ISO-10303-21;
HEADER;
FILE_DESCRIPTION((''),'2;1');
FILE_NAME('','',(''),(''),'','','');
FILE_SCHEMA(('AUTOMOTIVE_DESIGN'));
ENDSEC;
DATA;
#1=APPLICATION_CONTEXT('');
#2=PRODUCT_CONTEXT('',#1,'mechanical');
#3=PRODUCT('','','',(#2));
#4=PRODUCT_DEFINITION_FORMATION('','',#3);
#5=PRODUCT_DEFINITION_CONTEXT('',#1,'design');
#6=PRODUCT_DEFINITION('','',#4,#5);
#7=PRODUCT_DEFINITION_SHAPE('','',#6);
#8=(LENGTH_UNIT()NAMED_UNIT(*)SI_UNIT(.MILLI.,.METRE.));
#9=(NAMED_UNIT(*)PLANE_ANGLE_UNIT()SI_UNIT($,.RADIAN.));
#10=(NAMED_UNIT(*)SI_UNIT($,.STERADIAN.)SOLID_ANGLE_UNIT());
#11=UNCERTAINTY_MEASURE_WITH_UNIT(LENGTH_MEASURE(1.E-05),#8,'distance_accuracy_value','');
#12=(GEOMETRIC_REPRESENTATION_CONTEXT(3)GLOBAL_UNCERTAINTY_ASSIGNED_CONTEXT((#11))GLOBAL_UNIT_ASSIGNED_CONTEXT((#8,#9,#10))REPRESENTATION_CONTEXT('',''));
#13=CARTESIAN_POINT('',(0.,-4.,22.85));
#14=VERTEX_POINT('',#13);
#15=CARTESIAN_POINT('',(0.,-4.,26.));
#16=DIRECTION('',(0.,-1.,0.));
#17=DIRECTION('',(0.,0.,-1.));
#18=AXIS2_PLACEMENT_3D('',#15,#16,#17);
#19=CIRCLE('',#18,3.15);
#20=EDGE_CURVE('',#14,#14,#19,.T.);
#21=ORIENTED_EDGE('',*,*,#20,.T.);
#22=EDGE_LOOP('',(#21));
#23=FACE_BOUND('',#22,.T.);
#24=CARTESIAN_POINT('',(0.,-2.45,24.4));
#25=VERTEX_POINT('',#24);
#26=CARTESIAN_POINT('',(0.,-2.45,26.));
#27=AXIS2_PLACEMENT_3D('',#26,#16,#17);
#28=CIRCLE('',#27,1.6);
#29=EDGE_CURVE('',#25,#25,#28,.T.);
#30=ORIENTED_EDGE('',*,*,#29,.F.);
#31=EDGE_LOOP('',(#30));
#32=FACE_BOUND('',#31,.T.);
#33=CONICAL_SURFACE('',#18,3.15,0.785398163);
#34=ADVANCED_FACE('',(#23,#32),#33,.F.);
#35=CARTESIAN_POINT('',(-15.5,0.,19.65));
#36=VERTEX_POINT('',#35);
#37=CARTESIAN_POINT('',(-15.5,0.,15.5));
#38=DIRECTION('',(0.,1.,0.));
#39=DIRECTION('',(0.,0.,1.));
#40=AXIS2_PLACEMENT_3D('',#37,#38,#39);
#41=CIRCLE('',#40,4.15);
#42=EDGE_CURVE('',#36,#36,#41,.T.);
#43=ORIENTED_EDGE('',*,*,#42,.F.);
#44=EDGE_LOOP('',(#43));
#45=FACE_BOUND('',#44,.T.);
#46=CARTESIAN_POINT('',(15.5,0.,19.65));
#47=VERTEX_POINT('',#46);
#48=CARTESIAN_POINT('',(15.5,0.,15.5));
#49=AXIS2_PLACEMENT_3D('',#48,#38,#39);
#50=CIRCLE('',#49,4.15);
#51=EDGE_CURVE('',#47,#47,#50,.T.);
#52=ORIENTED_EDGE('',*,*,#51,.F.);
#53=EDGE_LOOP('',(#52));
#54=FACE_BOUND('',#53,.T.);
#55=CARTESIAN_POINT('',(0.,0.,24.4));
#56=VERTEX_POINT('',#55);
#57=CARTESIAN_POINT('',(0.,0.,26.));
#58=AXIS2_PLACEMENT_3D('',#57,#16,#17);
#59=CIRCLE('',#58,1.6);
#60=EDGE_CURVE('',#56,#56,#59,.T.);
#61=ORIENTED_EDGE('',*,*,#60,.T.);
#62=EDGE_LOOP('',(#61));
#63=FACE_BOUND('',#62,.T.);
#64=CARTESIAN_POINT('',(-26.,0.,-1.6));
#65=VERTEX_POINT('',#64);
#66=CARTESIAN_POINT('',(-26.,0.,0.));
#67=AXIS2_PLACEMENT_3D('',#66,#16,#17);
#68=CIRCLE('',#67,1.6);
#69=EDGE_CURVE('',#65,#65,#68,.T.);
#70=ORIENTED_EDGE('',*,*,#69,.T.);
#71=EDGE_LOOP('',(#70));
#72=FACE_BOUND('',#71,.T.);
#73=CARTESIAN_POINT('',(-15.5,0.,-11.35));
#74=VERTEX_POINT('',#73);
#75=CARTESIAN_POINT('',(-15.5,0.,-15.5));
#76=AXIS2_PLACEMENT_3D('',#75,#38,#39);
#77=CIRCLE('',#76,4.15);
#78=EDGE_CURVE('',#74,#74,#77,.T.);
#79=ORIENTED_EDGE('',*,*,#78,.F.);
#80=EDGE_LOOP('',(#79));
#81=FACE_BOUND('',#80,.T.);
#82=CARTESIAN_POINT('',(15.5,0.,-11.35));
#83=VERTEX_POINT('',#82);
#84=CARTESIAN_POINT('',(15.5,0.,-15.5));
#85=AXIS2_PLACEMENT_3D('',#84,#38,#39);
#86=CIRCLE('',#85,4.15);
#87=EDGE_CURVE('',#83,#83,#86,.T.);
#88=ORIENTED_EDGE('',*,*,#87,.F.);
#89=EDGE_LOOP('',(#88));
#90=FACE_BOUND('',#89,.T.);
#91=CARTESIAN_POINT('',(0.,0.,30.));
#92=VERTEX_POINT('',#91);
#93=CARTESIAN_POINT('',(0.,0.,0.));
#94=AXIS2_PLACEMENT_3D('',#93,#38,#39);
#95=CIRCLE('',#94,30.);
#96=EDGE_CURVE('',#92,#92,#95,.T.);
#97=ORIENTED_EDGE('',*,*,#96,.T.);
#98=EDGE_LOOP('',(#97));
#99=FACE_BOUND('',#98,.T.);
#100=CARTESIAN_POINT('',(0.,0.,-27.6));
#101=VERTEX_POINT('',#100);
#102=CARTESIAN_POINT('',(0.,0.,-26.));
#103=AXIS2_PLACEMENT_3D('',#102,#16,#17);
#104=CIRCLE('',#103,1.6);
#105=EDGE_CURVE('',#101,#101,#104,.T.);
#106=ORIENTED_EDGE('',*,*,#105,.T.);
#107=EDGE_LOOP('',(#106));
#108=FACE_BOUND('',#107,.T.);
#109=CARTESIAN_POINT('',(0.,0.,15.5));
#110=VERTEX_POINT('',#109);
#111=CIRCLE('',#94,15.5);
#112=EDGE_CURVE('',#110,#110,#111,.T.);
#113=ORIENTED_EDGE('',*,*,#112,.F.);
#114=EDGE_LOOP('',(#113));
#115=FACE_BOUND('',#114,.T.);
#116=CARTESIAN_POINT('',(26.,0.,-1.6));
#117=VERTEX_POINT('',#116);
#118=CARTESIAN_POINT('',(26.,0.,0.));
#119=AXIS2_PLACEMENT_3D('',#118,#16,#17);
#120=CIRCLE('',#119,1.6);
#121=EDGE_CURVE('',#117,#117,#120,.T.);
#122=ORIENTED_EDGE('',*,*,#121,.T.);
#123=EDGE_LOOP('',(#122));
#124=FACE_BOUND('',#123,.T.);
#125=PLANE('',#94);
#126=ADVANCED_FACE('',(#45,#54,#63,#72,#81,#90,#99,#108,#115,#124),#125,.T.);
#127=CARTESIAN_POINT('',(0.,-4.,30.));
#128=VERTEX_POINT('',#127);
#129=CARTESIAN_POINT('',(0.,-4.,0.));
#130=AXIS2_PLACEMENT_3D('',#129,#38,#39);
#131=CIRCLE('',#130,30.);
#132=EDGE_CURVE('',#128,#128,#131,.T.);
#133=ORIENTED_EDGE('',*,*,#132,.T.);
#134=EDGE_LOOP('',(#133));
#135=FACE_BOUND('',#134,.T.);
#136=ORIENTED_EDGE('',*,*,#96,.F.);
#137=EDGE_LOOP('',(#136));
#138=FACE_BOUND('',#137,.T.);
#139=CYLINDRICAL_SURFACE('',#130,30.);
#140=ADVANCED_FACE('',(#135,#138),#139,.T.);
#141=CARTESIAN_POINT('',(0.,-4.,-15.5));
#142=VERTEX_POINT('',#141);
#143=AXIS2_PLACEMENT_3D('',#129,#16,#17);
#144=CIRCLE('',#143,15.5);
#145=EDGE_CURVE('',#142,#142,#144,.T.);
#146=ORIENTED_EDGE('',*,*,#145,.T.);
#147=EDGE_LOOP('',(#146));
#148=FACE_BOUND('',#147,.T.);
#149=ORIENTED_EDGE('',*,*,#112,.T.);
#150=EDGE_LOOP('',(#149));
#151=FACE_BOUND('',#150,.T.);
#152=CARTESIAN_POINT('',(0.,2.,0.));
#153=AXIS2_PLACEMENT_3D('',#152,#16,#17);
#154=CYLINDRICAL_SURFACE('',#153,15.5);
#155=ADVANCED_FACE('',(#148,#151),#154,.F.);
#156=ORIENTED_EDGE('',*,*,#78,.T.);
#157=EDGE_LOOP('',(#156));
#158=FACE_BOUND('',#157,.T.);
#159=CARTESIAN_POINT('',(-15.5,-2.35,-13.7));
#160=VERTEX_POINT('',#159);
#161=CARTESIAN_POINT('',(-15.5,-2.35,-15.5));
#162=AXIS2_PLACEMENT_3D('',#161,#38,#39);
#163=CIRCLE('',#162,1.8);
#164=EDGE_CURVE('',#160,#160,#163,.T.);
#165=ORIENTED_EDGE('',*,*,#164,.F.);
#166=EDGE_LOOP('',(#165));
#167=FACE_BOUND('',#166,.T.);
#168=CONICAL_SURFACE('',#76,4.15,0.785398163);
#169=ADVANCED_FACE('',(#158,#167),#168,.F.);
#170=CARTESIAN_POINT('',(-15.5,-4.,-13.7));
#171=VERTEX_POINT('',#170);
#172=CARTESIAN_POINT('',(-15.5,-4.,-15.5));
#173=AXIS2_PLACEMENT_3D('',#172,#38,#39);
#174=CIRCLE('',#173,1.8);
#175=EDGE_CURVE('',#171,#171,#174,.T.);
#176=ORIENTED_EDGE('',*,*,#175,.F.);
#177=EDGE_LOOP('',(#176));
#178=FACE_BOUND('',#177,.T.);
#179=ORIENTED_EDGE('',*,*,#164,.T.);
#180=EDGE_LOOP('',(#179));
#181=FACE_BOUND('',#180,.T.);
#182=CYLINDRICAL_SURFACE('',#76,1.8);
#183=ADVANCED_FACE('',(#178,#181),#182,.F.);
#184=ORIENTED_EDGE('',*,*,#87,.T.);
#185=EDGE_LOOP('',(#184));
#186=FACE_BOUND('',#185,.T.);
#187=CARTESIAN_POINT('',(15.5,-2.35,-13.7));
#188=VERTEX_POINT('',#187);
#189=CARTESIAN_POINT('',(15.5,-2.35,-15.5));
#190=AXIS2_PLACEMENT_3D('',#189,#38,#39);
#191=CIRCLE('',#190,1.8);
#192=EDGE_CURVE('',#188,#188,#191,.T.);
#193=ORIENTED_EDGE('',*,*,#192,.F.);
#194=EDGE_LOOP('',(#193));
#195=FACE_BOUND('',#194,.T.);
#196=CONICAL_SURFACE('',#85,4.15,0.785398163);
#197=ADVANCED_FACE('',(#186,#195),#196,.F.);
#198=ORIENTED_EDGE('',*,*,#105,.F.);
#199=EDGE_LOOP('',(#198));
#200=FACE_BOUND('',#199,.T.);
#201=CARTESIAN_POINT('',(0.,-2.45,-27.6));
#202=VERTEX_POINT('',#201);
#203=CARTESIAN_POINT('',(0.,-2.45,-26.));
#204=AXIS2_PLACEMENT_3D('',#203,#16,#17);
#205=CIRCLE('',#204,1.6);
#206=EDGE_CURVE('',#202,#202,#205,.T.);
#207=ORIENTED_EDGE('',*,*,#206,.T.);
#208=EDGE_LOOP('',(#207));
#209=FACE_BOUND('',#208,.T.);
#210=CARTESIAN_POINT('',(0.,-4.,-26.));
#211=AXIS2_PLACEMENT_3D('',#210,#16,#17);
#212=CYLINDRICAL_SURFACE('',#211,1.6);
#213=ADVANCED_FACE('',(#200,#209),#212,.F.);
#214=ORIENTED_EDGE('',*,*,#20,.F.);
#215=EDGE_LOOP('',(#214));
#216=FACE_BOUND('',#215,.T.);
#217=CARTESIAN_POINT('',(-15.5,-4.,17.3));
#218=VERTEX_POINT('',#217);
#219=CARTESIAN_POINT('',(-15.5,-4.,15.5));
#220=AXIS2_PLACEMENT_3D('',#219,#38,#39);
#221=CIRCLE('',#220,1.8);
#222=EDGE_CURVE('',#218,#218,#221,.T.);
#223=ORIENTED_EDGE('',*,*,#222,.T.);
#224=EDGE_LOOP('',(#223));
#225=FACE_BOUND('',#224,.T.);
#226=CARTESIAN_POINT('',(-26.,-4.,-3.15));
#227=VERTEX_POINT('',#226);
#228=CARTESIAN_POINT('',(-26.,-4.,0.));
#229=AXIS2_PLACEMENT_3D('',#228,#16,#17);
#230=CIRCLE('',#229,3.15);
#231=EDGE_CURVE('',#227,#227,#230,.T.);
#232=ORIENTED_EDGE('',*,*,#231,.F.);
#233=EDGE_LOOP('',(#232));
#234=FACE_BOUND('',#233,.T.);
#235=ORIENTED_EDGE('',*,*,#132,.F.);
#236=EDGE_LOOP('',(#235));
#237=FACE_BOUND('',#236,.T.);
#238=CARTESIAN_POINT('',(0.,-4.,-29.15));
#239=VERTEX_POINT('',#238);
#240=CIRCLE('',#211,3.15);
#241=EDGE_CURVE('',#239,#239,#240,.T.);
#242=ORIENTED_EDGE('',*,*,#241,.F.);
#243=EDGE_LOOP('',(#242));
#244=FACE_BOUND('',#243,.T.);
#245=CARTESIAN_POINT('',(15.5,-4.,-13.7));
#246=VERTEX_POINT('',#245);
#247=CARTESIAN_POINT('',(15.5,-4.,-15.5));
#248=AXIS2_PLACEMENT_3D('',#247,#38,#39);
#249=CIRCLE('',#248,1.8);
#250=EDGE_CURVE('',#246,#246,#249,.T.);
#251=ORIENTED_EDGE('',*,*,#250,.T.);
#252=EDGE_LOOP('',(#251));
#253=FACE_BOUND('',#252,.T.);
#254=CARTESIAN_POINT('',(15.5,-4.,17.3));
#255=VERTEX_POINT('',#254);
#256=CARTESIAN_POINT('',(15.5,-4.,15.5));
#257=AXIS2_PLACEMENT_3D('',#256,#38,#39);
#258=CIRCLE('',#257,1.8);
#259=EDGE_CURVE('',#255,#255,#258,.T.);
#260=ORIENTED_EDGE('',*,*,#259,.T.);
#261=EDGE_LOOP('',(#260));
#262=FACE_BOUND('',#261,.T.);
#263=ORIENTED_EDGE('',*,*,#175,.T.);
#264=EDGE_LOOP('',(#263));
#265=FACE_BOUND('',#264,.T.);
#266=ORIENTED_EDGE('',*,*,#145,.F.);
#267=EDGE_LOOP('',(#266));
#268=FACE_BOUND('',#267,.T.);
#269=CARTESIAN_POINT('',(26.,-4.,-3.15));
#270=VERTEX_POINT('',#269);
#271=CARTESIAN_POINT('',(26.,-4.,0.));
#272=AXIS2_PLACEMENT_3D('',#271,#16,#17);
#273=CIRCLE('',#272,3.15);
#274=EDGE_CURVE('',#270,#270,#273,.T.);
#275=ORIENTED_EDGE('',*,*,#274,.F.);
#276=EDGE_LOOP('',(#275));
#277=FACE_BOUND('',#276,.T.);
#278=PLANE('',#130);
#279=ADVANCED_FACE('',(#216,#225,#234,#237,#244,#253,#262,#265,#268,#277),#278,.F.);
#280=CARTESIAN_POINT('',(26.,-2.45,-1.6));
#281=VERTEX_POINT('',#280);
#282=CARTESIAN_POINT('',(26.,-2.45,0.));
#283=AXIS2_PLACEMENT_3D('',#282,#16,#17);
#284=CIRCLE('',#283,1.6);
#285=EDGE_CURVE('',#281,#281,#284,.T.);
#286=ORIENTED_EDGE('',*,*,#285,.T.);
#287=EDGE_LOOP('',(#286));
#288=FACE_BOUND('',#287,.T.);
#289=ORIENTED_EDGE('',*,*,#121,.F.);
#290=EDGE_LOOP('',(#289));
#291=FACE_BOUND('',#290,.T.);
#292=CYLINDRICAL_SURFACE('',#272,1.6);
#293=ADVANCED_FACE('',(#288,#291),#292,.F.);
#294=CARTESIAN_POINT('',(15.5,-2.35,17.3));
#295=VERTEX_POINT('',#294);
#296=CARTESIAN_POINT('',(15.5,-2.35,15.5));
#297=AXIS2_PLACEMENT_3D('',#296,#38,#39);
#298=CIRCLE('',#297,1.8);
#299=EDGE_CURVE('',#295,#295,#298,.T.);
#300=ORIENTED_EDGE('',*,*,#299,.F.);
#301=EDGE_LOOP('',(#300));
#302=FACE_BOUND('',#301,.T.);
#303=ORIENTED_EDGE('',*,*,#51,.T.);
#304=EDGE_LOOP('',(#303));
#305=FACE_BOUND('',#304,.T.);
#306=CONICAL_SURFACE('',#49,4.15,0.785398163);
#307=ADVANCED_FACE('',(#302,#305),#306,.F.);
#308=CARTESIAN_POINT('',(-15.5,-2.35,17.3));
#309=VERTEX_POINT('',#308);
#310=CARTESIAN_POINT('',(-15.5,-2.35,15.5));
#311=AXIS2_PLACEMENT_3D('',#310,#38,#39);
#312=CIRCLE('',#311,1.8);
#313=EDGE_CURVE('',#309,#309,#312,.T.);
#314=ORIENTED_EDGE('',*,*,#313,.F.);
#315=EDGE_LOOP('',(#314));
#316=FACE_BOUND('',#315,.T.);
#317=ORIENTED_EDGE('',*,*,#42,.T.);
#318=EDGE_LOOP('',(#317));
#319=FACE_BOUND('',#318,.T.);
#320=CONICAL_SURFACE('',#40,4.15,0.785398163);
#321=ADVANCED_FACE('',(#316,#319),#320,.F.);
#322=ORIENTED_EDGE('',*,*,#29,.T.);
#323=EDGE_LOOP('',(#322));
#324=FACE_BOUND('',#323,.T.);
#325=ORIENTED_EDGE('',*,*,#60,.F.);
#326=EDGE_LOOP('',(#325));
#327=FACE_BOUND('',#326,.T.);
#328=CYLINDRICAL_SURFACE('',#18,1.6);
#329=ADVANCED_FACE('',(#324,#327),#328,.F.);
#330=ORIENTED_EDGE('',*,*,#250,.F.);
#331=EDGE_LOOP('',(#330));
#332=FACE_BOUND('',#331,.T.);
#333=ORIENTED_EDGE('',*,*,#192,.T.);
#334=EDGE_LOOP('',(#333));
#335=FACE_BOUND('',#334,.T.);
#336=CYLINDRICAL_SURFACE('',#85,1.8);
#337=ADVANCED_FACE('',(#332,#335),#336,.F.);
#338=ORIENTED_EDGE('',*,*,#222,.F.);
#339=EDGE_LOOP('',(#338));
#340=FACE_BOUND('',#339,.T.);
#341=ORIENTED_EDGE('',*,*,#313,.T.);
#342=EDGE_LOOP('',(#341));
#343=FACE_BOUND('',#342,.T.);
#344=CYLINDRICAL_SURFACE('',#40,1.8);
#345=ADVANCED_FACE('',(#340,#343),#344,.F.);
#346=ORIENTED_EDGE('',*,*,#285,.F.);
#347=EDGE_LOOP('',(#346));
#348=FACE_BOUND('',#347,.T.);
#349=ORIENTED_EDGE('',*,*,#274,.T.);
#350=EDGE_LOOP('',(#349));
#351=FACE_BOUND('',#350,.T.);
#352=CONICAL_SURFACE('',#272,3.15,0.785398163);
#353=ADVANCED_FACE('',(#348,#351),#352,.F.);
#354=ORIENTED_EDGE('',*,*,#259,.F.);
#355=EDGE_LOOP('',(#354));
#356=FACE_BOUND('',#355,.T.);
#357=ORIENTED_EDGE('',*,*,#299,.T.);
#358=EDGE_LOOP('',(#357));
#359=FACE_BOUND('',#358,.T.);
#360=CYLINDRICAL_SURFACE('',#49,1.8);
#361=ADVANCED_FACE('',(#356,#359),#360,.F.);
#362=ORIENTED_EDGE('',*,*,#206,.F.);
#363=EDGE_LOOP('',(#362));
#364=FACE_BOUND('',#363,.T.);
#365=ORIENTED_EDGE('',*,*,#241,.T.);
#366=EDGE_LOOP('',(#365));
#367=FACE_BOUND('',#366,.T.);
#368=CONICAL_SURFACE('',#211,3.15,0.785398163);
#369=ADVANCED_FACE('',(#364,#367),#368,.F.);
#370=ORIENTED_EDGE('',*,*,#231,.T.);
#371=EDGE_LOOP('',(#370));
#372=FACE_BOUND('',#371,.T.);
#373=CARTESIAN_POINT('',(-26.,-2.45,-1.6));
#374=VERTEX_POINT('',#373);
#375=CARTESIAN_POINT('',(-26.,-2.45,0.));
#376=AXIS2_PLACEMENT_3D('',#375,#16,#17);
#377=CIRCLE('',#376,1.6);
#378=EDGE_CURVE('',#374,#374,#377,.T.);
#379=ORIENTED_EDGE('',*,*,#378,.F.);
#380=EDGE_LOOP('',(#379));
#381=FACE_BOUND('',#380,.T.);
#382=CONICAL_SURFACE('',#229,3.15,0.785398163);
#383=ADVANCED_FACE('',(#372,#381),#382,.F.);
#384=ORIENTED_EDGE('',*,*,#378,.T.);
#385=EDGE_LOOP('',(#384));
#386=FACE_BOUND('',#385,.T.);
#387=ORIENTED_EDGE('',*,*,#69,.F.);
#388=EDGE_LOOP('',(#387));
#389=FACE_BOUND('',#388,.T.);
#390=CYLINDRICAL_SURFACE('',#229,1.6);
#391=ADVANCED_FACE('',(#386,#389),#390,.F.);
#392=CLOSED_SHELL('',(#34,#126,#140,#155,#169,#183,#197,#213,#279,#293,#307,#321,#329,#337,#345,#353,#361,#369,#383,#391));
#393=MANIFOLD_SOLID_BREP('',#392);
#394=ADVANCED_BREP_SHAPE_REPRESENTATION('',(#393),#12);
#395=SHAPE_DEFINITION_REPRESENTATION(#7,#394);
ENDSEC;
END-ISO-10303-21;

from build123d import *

# Parameters (mm, degrees)
SKETCH1_R                                           = 30
BOSS_EXTRUDE1_DEPTH                                 = 4
SKETCH8_R                                           = 15.5
CUT_EXTRUDE1_DEPTH                                  = 6
CSK_FOR_M3_COUNTERSUNK_FLAT_HEAD_SCR_2_COUNT        = 2
CSK_FOR_M3_COUNTERSUNK_FLAT_HEAD_SCR_2_PITCH        = 31
CSK_FOR_M3_COUNTERSUNK_FLAT_HEAD_SCR_3_COUNT        = 2
CSK_FOR_M3_COUNTERSUNK_FLAT_HEAD_SCR_3_PITCH        = 43.840620434
CSK_FOR_M3_COUNTERSUNK_FLAT_HEAD_SCR_4_COUNT        = 2
CSK_FOR_M3_COUNTERSUNK_FLAT_HEAD_SCR_4_PITCH        = 31
CSK_FOR_M3_COUNTERSUNK_FLAT_HEAD_SCREW3_D           = 3.2
CSK_FOR_M3_COUNTERSUNK_FLAT_HEAD_SCREW3_CSINK_D     = 6.3
CSK_FOR_M3_COUNTERSUNK_FLAT_HEAD_SCREW3_CSINK_ANGLE = 90


with BuildPart() as part:
    # Sketch1 → Boss-Extrude1 (new body)
    with BuildSketch(Plane(origin=(0, 0, 0), x_dir=(1, 0, 0), z_dir=(0, 1, 0))):
        Circle(SKETCH1_R)
    extrude(amount=-BOSS_EXTRUDE1_DEPTH)

    # Sketch8 → Cut-Extrude1 (cut)
    with BuildSketch(Plane.XZ.offset(4)):
        Circle(SKETCH8_R)
    extrude(amount=-CUT_EXTRUDE1_DEPTH, mode=Mode.SUBTRACT)

    # Sketch16 → CSK for M3 Countersunk Flat Head Screw2 (revolve, cut)
    with BuildSketch(Plane(origin=(15.5, 0, 15.5), x_dir=(0, 0, 1), z_dir=(1, 0, 0))):
        Polygon((0, 0), (0, 4), (1.8, 4), (1.8, 2.35), (4.15, 0), align=None)
    csk_for_m3_countersunk_flat_head_screw2 = revolve(axis=Axis((15.5, 6.35, 15.5), (0, -1, 0)), mode=Mode.SUBTRACT)

    # CSK for M3 Countersunk Flat Head Scr 2: CSK for M3 Countersunk Flat Head Screw2 ×2
    with Locations(*[(0, 0, -i * CSK_FOR_M3_COUNTERSUNK_FLAT_HEAD_SCR_2_PITCH) for i in range(1, CSK_FOR_M3_COUNTERSUNK_FLAT_HEAD_SCR_2_COUNT)]):
        add(csk_for_m3_countersunk_flat_head_screw2, mode=Mode.SUBTRACT)

    # CSK for M3 Countersunk Flat Head Scr 3: CSK for M3 Countersunk Flat Head Screw2 ×2
    with Locations(*[Vector(-0.707106781, 0, -0.707106781) * (i * CSK_FOR_M3_COUNTERSUNK_FLAT_HEAD_SCR_3_PITCH) for i in range(1, CSK_FOR_M3_COUNTERSUNK_FLAT_HEAD_SCR_3_COUNT)]):
        add(csk_for_m3_countersunk_flat_head_screw2, mode=Mode.SUBTRACT)

    # CSK for M3 Countersunk Flat Head Scr 4: CSK for M3 Countersunk Flat Head Screw2 ×2
    with Locations(*[(-i * CSK_FOR_M3_COUNTERSUNK_FLAT_HEAD_SCR_4_PITCH, 0, 0) for i in range(1, CSK_FOR_M3_COUNTERSUNK_FLAT_HEAD_SCR_4_COUNT)]):
        add(csk_for_m3_countersunk_flat_head_screw2, mode=Mode.SUBTRACT)

    # CSK for M3 Countersunk Flat Head Screw3 (through all)
    with Locations(Plane.XZ.offset(4)):
        with Locations((0, 26), (26, 0), (0, -26), (-26, 0)):
            CounterSinkHole(CSK_FOR_M3_COUNTERSUNK_FLAT_HEAD_SCREW3_D / 2, CSK_FOR_M3_COUNTERSUNK_FLAT_HEAD_SCREW3_CSINK_D / 2, counter_sink_angle=CSK_FOR_M3_COUNTERSUNK_FLAT_HEAD_SCREW3_CSINK_ANGLE)


solid = part.part
